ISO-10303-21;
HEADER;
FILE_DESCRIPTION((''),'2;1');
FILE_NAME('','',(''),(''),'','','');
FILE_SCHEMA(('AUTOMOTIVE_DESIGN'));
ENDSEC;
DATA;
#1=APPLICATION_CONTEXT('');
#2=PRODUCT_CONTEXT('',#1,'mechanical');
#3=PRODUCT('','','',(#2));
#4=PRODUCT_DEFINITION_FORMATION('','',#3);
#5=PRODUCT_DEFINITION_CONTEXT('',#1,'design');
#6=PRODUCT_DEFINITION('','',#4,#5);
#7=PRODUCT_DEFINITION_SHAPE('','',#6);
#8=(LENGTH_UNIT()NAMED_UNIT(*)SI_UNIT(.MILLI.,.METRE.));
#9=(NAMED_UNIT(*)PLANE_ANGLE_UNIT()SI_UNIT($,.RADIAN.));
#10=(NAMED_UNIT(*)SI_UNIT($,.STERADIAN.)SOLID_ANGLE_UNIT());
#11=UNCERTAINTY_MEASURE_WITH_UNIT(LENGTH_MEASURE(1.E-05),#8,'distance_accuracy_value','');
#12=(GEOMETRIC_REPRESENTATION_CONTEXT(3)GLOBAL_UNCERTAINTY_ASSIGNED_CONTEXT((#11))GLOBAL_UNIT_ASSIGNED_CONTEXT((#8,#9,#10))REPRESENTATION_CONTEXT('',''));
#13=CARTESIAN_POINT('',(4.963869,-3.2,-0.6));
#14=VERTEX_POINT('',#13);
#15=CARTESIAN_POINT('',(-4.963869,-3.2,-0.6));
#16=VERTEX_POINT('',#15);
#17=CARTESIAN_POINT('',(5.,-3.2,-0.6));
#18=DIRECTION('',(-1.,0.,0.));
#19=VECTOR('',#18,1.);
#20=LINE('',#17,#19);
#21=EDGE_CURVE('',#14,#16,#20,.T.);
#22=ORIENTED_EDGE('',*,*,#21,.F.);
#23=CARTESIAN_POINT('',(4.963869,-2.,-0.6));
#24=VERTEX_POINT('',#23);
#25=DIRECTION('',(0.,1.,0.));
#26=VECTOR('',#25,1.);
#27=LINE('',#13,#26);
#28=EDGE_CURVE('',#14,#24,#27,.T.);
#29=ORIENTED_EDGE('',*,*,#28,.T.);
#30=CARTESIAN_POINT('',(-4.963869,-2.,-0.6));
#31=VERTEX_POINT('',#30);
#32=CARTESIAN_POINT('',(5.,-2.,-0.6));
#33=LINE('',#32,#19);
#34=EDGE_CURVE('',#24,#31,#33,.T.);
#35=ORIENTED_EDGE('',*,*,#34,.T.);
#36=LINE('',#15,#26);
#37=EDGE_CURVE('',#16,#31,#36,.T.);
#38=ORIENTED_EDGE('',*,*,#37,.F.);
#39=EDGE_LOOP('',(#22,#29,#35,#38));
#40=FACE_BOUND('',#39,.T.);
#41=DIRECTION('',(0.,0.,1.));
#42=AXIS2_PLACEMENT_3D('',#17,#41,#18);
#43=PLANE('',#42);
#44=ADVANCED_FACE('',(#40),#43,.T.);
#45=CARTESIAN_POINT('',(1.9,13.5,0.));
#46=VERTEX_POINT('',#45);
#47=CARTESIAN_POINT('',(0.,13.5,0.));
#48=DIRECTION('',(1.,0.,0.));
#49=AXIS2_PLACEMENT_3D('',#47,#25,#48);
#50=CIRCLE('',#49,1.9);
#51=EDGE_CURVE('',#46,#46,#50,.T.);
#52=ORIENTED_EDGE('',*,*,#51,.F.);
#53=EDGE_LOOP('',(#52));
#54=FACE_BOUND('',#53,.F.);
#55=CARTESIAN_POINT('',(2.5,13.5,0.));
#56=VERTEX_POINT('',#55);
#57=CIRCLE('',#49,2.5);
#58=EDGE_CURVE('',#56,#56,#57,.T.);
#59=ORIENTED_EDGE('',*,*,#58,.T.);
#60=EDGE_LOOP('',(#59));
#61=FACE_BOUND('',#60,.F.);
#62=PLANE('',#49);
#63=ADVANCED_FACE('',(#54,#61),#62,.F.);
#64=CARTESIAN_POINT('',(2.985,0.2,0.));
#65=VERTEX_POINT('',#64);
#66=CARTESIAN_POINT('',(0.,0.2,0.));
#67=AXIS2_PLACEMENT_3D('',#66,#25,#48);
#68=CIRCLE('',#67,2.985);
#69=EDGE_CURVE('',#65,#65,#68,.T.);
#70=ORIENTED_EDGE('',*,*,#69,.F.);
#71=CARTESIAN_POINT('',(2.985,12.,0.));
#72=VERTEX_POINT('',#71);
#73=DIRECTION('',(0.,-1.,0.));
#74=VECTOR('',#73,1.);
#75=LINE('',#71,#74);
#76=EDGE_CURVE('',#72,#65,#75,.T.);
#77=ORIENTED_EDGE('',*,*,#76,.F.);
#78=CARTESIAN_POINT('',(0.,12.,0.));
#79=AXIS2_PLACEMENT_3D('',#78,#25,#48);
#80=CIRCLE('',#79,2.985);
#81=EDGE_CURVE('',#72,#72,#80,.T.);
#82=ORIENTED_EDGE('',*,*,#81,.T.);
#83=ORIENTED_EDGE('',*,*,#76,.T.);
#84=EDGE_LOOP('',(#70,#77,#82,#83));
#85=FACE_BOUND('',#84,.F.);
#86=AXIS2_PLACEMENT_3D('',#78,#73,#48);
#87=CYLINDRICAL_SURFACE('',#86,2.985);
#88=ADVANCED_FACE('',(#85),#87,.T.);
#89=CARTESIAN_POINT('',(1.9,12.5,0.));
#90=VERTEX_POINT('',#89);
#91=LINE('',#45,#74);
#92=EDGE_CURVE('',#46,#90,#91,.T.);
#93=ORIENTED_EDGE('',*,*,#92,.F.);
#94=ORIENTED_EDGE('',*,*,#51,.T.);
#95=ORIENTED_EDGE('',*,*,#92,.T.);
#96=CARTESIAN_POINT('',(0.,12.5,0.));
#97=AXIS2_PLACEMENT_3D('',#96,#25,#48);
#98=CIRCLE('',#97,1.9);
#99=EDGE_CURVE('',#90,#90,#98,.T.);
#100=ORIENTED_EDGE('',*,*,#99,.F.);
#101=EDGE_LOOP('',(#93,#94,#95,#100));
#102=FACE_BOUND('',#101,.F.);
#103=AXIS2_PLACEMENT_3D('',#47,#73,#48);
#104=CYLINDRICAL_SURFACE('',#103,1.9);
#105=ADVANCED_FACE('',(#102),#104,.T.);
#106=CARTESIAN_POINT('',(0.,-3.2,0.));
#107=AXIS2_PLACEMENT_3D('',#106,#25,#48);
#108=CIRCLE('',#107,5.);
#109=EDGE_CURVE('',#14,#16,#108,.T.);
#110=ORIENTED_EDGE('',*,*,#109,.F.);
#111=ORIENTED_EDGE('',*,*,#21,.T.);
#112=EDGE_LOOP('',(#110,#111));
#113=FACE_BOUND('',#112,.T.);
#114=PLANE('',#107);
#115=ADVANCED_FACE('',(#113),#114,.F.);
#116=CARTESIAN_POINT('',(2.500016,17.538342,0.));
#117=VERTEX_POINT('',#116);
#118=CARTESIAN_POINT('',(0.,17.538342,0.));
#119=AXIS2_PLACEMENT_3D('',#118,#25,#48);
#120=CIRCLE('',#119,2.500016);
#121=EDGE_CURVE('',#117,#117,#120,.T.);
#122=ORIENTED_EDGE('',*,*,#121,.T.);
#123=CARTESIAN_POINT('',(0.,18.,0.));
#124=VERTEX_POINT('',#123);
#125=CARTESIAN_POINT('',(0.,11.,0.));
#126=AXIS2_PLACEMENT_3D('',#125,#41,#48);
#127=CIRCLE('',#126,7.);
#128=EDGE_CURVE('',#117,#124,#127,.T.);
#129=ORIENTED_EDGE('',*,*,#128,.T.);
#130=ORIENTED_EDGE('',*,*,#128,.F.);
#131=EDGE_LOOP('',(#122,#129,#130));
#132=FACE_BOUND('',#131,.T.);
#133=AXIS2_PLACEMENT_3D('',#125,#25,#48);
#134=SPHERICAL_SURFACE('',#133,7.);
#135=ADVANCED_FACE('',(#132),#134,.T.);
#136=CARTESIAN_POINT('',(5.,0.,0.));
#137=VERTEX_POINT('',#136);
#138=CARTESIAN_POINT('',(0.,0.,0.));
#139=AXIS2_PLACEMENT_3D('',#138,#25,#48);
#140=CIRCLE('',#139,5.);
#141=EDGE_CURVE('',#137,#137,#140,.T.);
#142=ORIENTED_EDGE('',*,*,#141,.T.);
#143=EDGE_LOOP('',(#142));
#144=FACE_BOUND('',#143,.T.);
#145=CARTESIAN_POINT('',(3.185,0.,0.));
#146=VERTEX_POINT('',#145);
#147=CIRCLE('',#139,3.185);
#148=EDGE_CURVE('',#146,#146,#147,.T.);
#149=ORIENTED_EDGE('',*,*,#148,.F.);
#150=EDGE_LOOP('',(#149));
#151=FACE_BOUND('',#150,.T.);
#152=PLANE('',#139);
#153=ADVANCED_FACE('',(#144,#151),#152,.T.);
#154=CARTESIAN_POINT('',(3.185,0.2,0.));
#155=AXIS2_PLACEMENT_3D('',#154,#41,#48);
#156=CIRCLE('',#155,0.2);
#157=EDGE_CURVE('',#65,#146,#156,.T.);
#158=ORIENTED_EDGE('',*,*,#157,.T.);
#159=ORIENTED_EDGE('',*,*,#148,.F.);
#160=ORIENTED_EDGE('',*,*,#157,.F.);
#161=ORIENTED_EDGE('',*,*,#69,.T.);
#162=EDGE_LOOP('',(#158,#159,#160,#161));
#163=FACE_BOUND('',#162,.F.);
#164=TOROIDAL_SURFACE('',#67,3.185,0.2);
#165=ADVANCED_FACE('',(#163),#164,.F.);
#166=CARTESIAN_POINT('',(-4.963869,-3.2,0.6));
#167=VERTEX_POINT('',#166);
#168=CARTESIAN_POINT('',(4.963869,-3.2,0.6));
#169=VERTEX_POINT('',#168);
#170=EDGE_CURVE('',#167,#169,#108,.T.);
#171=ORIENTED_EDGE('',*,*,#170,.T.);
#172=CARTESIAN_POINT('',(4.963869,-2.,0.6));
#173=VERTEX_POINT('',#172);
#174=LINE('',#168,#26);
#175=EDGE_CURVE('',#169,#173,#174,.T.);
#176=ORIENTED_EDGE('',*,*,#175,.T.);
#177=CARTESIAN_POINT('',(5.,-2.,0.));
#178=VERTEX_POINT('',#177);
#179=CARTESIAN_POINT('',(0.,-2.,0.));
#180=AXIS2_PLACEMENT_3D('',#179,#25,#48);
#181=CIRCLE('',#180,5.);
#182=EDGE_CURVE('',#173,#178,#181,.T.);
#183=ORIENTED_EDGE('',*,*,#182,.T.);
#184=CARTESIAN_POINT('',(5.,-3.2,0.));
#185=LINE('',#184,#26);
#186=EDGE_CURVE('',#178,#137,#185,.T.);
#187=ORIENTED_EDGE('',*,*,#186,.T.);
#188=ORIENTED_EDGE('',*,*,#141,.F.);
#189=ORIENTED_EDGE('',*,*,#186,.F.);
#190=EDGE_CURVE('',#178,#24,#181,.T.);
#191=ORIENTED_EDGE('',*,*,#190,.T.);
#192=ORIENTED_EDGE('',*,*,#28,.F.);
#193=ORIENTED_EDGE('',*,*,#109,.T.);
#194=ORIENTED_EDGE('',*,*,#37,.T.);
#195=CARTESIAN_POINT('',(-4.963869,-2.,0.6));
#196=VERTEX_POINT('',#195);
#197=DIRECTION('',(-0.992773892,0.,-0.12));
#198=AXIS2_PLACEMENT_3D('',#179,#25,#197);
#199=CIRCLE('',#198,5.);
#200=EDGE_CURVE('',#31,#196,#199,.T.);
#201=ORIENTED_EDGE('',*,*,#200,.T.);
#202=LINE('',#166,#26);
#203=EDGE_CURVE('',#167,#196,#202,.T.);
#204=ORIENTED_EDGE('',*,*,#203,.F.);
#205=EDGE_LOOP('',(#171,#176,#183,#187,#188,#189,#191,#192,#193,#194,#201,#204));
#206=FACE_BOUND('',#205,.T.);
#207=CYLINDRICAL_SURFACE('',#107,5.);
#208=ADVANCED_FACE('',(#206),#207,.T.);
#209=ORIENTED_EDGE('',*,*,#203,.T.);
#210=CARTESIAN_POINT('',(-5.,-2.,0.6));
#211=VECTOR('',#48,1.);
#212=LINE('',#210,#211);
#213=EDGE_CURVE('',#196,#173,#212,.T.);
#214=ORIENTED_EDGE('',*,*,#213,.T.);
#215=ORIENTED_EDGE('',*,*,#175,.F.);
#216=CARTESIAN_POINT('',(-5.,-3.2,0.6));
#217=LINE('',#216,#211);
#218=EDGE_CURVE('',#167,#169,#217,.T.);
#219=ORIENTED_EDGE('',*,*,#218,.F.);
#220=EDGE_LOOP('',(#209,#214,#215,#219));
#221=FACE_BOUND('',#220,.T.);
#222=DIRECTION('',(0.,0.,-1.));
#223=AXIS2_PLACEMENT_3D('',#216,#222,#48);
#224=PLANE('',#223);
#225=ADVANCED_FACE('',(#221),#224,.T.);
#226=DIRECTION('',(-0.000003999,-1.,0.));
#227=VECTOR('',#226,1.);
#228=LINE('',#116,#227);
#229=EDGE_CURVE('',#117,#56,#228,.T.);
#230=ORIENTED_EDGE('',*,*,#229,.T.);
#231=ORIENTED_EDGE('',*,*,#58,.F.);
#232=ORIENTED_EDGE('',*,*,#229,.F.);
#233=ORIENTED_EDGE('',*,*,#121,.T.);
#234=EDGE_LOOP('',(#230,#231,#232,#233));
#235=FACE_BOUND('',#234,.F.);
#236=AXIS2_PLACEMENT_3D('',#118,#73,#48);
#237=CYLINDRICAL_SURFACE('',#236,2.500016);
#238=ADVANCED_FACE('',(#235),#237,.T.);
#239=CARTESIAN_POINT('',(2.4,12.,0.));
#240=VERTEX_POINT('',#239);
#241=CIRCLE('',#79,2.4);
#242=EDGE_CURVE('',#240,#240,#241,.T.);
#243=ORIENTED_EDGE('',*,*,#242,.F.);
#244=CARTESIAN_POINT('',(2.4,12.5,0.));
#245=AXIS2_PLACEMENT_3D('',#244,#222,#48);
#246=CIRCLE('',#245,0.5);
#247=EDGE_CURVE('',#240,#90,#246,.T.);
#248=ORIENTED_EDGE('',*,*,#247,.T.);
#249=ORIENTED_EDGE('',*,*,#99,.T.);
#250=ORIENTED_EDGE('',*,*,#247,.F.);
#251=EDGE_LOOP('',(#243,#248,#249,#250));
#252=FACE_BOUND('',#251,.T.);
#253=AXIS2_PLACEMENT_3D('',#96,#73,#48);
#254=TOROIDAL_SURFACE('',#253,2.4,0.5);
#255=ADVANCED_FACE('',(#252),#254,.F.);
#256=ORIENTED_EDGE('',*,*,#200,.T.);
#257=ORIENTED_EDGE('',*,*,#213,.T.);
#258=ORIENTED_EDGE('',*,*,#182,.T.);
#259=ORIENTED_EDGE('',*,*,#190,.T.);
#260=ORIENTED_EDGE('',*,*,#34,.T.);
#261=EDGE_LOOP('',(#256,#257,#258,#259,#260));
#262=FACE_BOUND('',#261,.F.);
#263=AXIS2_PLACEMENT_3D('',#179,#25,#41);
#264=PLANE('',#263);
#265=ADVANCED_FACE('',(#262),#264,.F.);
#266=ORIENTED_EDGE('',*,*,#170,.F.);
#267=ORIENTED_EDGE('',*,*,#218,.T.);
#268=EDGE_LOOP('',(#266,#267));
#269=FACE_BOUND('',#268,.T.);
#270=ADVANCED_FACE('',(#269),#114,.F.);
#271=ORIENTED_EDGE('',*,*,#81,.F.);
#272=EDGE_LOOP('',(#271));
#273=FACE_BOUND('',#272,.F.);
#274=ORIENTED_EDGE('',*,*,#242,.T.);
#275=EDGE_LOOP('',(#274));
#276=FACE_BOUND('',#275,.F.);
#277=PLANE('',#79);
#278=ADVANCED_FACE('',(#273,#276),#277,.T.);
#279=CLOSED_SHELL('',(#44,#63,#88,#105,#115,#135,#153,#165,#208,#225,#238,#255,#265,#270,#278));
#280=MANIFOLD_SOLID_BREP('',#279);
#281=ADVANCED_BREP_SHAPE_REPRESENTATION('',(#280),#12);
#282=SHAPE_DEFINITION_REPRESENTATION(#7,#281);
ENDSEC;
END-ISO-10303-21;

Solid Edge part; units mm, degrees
sketch "Sketch1" plane through (0, 0, 0) normal (0, 0, 1) x (1, 0, 0)
  line L0 (2.985, 12) -> (2.985, 0)
  line L1 (5, 0) -> (2.985, 0)
  line L2 (5, -3.2) -> (5, 0)
  line L3 (0, -3.2) -> (5, -3.2)
  line L4 (0, 0) -> (0, -3.2)
  line L5 (0, 0) -> (0, 12)
  line L6 (0, 12) -> (0, 13.5)
  line L7 (0, 13.5) -> (0, 17.5383)
  line L8 (0, 17.5383) -> (0, 18)
  arc A0 (2.5, 17.5383) -> (0, 18) centre (0, 11) ccw
  line L9 (2.5, 17.5383) -> (2.5, 13.5)
  line L10 (2.5, 13.5) -> (1.9, 13.5)
  line L11 (1.9, 13.5) -> (1.9, 12)
  line L12 (1.9, 12) -> (2.985, 12)
revolve "RevolvedProtrusion1" add sketch "Sketch1" angle 360 about axis through (0, 0, 0) along (0, 1, 0)
fillet "Round1" radius 0.2 1 edges at (0, 0, -2.985)
sketch "Sketch2" plane through (0, -3.2, 0) normal (0, -1, 0) x (1, 0, 0)
  line L0 (-5, 0.6) -> (5, 0.6)
  line L1 (5, 0.6) -> (5, -0.6)
  line L2 (5, -0.6) -> (-5, -0.6)
  line L3 (-5, -0.6) -> (-5, 0.6)
  dimension "D1" = 1.2
extrude "拉伸除料_1" cut sketch "Sketch2" against normal blind 1.2
fillet "Round2" radius 0.5 1 edges at (0, 12, -1.9)
cosmetic_thread "Thread1" size "M5"
properties part number "N2611-031B" material "不锈钢 304"
